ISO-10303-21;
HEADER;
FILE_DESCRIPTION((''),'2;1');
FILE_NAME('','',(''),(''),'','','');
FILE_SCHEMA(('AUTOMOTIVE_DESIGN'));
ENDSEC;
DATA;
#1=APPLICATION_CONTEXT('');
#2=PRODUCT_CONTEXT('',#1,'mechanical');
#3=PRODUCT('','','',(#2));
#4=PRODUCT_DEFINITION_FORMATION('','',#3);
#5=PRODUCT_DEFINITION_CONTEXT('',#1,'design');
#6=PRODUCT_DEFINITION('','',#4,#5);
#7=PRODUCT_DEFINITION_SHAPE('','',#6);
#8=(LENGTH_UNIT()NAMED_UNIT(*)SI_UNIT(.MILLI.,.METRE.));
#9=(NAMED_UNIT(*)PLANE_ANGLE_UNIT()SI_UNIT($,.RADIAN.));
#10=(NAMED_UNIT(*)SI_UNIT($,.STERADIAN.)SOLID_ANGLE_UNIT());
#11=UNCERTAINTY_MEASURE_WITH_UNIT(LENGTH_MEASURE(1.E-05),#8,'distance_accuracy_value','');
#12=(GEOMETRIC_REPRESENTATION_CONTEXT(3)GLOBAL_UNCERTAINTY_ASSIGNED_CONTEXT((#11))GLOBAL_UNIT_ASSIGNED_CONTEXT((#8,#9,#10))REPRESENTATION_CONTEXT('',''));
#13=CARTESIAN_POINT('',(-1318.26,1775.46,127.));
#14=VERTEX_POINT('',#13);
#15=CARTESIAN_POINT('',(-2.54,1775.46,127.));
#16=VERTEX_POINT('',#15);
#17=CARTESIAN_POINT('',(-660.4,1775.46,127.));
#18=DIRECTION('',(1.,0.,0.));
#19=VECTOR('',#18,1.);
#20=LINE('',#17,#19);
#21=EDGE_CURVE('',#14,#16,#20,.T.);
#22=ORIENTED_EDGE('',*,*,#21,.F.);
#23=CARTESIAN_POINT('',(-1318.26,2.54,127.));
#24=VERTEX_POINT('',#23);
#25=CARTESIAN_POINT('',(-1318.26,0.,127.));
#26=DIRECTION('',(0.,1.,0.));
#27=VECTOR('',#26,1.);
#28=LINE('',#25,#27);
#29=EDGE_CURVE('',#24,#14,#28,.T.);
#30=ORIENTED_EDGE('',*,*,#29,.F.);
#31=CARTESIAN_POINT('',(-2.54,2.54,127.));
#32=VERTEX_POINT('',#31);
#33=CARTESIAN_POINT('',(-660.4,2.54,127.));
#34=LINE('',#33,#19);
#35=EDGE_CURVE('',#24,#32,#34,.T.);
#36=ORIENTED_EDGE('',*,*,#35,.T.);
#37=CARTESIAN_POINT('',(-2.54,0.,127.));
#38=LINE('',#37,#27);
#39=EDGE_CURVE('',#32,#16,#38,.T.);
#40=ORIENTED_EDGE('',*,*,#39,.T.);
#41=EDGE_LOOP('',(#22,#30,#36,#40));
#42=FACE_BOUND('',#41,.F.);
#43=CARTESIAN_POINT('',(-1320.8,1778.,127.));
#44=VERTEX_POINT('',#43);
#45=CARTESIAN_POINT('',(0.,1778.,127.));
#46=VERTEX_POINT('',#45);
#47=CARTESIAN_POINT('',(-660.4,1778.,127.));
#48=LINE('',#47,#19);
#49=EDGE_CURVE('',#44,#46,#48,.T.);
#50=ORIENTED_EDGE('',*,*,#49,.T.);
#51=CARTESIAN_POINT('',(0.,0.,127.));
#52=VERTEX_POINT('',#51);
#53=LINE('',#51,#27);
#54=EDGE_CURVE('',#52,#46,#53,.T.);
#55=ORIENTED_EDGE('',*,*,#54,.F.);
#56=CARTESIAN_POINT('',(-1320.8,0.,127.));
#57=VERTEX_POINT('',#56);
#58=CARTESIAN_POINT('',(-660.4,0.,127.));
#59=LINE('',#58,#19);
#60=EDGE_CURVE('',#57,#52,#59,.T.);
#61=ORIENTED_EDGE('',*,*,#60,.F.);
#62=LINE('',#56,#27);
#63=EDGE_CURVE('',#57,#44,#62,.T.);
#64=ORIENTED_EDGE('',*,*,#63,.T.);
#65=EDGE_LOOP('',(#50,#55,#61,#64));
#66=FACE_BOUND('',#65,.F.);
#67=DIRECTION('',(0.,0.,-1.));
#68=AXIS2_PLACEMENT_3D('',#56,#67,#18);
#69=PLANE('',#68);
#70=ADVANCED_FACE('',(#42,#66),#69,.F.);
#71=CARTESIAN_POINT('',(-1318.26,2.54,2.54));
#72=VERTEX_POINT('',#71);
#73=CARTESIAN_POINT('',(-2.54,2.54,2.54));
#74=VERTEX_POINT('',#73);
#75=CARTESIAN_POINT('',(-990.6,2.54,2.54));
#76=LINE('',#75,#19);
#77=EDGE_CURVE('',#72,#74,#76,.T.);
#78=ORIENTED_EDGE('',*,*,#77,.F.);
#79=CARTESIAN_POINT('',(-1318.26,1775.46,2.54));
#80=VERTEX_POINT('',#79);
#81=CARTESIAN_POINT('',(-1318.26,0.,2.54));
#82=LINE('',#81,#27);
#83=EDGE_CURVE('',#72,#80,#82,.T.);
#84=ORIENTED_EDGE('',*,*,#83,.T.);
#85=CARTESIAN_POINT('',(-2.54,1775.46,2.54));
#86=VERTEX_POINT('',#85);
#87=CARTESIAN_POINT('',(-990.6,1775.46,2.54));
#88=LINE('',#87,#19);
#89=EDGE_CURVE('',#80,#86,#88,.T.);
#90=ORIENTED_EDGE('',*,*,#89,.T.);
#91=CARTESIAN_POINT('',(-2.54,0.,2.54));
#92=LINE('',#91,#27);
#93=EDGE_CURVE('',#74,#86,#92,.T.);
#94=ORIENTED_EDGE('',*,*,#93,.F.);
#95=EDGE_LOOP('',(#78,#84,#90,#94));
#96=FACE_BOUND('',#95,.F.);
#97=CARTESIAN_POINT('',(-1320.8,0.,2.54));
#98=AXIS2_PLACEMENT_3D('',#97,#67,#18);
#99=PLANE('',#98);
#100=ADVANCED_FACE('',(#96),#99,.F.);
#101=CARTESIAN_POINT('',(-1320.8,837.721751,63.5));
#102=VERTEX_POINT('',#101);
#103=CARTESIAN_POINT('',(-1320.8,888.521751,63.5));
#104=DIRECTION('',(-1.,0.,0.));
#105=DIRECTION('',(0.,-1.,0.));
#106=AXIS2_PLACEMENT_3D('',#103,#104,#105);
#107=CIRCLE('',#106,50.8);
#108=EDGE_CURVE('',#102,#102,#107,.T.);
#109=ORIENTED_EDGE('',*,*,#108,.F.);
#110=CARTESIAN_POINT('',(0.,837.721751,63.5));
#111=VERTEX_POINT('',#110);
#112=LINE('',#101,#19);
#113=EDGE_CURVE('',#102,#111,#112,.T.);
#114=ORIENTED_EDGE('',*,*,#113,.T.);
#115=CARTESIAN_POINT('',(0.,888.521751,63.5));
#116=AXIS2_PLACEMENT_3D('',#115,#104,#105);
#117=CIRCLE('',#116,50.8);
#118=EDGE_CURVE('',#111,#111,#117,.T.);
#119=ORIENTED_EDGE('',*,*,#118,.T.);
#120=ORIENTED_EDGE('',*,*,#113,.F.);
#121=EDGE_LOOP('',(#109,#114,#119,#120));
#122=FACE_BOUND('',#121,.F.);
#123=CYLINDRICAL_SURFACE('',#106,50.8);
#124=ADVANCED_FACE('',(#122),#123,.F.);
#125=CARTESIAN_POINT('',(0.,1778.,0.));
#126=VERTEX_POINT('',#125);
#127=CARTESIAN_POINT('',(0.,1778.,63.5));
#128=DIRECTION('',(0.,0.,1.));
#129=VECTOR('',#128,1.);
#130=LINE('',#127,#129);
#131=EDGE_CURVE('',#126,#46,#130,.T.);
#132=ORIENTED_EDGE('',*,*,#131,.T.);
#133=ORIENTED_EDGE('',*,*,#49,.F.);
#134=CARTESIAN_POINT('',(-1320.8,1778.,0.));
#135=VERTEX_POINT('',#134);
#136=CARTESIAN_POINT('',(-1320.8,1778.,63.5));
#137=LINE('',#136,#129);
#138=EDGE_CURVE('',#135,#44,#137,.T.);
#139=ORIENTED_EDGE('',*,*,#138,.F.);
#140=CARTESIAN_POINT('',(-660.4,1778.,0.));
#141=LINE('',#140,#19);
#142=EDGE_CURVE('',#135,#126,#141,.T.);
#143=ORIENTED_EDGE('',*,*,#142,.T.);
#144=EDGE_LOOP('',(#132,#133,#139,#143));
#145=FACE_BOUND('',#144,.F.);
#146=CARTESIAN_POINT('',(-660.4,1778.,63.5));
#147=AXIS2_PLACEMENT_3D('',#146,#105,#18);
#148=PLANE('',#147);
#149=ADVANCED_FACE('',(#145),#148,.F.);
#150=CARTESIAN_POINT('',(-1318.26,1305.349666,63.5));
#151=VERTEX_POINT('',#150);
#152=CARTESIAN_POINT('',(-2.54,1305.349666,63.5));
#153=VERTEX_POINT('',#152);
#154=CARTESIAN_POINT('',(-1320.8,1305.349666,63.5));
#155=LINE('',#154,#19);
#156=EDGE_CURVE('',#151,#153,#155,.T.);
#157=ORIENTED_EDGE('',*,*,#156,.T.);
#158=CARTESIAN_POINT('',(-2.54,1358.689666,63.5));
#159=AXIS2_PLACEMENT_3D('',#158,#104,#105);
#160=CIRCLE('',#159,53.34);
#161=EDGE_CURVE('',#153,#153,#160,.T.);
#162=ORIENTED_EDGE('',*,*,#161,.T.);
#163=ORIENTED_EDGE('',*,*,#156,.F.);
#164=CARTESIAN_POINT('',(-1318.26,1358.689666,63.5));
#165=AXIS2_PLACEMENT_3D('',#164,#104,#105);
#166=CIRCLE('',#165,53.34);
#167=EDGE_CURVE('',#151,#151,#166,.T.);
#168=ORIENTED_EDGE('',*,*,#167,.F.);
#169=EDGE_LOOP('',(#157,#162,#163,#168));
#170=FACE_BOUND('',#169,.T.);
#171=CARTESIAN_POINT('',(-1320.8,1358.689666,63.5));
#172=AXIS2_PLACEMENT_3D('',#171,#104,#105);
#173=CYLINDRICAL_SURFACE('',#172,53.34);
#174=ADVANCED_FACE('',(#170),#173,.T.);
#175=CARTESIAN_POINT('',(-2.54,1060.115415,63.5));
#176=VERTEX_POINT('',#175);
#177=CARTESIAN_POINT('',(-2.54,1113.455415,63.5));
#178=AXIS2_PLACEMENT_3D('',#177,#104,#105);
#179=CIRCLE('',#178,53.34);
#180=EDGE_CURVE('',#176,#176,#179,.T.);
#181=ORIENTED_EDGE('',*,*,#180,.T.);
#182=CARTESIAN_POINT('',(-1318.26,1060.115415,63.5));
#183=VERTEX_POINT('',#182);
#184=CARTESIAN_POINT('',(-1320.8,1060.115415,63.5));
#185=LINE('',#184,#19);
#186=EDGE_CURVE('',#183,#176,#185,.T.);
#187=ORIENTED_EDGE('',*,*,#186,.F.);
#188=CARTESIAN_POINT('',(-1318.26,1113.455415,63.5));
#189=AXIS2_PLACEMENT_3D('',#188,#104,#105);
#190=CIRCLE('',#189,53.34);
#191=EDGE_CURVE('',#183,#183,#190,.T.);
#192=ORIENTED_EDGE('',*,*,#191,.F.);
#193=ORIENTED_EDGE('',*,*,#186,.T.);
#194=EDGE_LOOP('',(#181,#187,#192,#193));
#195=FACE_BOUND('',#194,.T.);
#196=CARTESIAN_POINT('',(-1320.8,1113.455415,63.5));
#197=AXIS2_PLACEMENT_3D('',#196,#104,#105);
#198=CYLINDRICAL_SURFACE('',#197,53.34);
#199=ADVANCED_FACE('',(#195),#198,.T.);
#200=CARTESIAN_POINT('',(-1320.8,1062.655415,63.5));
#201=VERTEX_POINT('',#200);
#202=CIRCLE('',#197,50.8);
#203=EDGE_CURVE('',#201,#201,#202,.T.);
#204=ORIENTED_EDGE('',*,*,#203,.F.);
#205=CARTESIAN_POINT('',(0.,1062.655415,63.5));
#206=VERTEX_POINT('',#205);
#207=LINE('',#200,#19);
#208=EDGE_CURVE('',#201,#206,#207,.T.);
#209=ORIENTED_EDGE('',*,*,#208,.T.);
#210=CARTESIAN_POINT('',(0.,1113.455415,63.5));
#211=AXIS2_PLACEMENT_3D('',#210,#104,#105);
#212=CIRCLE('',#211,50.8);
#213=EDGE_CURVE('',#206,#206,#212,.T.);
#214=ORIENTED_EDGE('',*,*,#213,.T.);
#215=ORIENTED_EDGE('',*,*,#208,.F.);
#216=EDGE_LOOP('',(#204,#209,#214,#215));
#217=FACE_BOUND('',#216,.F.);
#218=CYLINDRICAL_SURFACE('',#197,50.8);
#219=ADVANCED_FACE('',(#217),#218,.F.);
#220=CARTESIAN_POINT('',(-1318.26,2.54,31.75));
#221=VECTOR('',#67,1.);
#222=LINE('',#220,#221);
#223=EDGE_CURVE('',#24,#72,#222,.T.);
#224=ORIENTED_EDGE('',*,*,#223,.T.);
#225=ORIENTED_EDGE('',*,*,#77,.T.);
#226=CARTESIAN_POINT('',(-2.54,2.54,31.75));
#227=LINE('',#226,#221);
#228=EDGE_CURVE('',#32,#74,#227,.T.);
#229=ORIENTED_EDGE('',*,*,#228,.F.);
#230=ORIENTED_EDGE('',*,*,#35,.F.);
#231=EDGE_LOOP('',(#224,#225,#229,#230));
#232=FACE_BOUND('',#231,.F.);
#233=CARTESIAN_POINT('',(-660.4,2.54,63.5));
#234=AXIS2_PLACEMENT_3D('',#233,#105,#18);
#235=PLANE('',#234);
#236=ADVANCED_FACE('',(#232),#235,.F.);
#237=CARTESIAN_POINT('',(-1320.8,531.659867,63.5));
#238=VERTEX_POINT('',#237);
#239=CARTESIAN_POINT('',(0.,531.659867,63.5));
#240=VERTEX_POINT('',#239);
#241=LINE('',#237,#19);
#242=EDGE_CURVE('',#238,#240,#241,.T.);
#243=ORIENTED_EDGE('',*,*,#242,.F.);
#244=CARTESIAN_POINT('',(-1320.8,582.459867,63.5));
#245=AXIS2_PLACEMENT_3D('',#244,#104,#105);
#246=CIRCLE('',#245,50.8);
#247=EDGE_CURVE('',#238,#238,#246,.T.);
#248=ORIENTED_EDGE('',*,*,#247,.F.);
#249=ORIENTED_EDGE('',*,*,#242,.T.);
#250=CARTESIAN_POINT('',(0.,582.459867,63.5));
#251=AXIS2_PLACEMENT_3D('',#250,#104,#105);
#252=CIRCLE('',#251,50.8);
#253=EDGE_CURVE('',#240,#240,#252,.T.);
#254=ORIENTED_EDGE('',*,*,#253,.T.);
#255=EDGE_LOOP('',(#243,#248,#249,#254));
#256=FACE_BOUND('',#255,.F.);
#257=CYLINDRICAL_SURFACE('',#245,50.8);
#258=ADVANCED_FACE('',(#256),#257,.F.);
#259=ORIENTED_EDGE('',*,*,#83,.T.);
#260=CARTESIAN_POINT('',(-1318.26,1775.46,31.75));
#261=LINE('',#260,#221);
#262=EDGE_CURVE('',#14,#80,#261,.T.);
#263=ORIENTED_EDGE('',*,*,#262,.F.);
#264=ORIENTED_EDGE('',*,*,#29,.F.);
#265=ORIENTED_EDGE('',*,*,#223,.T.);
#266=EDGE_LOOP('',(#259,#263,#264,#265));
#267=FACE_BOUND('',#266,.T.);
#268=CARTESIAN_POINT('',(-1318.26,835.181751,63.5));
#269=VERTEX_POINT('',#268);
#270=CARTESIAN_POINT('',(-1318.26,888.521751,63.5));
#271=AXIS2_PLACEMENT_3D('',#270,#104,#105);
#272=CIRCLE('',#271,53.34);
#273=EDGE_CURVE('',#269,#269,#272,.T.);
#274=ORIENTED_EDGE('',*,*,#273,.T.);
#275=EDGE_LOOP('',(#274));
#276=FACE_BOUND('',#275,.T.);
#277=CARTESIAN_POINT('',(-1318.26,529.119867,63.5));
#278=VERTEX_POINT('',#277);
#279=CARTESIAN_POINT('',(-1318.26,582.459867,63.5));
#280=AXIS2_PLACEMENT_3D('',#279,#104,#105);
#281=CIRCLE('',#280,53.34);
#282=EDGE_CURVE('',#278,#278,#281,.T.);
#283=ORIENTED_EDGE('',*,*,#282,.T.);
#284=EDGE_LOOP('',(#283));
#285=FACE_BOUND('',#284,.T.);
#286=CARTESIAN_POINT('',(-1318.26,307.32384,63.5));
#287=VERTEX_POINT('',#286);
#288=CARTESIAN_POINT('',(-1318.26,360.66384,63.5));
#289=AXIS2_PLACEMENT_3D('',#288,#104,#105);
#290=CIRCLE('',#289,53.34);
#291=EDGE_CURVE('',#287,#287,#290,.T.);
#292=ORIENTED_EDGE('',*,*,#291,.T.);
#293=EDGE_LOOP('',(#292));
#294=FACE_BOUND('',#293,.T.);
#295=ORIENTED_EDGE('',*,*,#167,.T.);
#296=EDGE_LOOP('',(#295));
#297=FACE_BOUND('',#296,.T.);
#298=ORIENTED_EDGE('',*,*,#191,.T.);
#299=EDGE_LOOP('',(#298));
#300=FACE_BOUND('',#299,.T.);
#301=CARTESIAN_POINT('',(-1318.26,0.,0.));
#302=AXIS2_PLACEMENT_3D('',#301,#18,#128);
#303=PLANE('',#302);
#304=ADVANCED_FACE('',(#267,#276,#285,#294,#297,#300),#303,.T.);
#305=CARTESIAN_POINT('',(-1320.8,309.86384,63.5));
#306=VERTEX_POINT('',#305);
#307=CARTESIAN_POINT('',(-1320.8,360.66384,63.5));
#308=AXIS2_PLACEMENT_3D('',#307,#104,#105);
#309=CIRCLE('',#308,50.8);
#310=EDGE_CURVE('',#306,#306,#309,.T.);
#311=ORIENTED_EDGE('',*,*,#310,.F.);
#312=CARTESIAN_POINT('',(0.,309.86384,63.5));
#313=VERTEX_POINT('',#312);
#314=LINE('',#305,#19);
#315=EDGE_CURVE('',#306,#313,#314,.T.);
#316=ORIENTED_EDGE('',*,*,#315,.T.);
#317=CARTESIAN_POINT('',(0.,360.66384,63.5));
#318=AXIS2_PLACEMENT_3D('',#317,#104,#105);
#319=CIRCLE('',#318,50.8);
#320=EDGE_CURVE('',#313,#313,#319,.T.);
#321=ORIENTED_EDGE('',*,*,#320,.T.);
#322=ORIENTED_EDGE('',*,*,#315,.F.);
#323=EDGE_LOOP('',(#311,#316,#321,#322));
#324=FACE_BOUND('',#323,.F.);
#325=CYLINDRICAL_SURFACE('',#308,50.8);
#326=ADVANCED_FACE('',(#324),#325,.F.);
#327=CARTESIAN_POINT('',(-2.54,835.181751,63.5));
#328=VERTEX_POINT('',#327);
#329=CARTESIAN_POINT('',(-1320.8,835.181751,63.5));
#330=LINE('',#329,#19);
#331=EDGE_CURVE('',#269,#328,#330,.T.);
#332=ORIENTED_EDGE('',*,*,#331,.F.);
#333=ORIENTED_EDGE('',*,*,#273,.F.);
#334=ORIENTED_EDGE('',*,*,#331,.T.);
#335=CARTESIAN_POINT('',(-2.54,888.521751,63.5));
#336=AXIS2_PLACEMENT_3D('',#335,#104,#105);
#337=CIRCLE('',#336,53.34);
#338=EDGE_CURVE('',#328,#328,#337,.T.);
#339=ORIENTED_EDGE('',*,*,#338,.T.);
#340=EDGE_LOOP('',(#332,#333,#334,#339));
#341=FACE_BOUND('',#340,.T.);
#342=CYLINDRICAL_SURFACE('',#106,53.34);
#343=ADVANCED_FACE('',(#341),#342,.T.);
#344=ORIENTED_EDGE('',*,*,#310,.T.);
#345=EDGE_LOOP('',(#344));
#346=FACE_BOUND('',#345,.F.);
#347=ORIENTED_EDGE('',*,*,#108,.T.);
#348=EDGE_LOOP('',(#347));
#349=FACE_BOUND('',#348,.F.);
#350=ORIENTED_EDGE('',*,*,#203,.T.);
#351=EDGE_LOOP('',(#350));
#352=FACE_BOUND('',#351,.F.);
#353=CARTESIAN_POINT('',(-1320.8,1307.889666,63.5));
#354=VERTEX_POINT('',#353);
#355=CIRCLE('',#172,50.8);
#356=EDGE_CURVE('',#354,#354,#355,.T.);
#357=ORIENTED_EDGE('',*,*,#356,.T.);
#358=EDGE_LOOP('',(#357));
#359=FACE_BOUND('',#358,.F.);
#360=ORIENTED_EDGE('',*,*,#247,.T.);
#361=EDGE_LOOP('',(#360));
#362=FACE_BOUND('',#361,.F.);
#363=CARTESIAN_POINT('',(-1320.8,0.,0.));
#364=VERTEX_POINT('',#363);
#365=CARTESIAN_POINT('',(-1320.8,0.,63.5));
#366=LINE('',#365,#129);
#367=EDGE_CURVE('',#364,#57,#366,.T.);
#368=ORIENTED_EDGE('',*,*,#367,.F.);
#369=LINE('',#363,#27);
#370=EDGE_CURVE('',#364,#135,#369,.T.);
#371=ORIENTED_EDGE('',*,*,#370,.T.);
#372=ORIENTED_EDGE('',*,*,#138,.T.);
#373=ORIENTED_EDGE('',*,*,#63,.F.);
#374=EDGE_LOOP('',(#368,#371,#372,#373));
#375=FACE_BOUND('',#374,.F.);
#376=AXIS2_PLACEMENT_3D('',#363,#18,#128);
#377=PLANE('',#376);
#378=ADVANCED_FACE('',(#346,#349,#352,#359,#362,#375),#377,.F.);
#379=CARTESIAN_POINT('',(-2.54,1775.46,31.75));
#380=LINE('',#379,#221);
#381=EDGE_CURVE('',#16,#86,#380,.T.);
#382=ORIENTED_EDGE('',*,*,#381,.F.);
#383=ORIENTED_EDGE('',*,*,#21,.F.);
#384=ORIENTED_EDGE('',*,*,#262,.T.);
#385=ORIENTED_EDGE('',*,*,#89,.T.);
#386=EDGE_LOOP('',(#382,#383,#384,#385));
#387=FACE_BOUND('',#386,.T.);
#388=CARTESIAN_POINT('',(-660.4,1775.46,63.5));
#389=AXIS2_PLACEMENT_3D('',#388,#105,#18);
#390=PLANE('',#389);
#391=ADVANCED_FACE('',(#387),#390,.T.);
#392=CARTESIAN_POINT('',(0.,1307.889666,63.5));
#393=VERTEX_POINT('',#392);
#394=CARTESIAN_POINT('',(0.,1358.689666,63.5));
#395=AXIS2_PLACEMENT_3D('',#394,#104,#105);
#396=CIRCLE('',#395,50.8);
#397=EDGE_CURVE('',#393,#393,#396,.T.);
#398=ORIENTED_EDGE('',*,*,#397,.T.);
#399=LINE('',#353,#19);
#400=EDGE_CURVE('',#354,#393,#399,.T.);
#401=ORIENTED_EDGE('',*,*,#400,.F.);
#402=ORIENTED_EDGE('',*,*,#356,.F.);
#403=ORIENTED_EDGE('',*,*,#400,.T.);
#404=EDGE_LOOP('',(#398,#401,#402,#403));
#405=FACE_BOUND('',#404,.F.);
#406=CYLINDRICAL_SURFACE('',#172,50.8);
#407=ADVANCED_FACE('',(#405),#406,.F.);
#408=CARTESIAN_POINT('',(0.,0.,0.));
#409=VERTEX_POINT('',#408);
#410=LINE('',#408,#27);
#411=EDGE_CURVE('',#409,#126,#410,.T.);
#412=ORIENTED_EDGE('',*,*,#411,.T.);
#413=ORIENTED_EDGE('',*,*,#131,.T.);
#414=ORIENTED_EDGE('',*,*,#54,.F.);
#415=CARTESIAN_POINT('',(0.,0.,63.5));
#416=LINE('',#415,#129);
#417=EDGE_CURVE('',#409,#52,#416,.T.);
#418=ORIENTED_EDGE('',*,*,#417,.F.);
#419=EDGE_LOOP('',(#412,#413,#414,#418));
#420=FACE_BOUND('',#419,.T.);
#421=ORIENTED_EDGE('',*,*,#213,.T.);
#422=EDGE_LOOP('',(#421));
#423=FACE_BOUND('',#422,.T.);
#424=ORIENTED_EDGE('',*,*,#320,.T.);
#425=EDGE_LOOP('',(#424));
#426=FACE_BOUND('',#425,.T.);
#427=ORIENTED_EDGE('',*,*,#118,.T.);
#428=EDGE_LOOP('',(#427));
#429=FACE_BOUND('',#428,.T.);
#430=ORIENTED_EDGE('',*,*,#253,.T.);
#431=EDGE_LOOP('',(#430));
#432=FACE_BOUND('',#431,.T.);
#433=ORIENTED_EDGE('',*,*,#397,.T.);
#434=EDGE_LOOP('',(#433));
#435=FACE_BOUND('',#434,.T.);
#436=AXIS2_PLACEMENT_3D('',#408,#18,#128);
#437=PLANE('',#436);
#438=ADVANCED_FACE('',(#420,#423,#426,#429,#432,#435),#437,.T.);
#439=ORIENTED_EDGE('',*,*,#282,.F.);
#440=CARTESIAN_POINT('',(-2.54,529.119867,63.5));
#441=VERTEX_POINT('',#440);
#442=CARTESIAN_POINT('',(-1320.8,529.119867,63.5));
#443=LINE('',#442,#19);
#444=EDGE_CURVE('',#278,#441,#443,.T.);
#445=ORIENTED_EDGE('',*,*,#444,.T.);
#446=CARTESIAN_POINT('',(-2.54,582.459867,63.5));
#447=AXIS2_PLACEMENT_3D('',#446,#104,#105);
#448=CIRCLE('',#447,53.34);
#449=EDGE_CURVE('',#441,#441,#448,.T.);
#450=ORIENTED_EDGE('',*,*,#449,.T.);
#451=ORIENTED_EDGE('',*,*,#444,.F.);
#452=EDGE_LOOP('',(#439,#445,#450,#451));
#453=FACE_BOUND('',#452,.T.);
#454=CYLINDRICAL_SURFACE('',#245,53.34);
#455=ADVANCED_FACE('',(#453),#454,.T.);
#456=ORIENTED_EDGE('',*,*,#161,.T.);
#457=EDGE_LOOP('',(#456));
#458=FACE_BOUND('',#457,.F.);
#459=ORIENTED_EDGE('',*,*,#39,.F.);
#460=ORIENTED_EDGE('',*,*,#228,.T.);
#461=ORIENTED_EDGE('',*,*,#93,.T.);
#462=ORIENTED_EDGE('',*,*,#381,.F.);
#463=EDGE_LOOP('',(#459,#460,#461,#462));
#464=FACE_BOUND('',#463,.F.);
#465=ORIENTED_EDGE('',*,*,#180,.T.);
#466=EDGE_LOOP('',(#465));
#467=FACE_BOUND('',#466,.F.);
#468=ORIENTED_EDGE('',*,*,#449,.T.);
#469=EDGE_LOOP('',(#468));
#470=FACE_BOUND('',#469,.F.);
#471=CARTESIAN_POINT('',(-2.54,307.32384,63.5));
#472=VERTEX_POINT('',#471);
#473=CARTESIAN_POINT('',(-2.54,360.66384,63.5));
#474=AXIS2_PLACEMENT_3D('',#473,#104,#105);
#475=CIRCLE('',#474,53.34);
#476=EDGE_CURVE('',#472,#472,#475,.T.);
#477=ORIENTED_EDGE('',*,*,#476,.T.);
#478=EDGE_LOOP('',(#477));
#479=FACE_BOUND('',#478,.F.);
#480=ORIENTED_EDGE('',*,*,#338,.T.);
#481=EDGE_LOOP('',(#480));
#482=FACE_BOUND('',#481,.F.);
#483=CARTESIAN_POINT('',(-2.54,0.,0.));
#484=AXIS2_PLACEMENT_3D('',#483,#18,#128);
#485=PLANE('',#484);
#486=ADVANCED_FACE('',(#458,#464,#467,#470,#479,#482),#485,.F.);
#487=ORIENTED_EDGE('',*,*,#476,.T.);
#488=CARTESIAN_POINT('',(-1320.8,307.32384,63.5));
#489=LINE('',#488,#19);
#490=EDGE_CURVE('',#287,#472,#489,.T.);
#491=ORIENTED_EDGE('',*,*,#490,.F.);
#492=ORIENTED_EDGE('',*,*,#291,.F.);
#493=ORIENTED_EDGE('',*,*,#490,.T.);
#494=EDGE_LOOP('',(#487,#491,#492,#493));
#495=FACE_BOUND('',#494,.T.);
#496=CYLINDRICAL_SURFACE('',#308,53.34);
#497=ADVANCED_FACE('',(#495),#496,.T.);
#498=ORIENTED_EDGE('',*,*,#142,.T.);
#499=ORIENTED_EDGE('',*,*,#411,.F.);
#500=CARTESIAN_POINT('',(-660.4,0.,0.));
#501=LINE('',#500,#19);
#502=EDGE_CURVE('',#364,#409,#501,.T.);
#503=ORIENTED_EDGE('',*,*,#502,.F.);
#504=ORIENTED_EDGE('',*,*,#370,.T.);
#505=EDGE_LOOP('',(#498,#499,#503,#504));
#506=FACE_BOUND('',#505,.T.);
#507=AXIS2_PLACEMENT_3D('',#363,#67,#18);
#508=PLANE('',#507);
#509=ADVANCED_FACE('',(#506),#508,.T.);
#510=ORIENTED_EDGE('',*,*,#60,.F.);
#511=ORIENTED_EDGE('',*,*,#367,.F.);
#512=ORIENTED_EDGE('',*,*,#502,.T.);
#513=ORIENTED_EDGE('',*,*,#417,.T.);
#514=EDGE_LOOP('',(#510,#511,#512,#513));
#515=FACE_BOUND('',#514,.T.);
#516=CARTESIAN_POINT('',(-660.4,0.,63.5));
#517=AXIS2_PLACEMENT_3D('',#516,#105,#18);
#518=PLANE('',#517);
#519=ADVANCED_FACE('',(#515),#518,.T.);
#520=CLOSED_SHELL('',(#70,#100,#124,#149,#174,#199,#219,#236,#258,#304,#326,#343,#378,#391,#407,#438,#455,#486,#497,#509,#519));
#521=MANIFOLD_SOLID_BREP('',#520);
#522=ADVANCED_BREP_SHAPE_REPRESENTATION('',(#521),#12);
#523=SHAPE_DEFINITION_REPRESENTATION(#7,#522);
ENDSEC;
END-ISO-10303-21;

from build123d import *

# Parameters (mm, degrees)
F0_W     = 1320.8
F0_H     = 127
F1_DEPTH = 1778
F2_R     = 50.8
F3_DEPTH = 1465.58
F4_T     = -2.54


with BuildPart() as f1:
    # F0 (on Front) → F1 (new body)
    with BuildSketch(Plane.XZ):
        with Locations((-660.4, 63.5)):
            Rectangle(F0_W, F0_H)
    extrude(amount=-F1_DEPTH)

    # F2 (on face) → F3 (cut)
    with BuildSketch(Plane(origin=(-1320.8, 0, 0), x_dir=(0, -1, 0), z_dir=(-1, 0, 0))):
        with Locations((-1358.689666, 63.5)):
            Circle(F2_R)
        with Locations((-888.521751, 63.5)):
            Circle(F2_R)
        with Locations((-360.66384, 63.5)):
            Circle(F2_R)
        with Locations((-582.459867, 63.5)):
            Circle(F2_R)
        with Locations((-1113.455415, 63.5)):
            Circle(F2_R)
    extrude(amount=-F3_DEPTH, mode=Mode.SUBTRACT)

    # F4
    f4_openings = [f1.faces().sort_by_distance(p)[0] for p in [
        (-660.4, 889, 127),
    ]]
    offset(amount=F4_T, openings=f4_openings)


solid = f1.part
